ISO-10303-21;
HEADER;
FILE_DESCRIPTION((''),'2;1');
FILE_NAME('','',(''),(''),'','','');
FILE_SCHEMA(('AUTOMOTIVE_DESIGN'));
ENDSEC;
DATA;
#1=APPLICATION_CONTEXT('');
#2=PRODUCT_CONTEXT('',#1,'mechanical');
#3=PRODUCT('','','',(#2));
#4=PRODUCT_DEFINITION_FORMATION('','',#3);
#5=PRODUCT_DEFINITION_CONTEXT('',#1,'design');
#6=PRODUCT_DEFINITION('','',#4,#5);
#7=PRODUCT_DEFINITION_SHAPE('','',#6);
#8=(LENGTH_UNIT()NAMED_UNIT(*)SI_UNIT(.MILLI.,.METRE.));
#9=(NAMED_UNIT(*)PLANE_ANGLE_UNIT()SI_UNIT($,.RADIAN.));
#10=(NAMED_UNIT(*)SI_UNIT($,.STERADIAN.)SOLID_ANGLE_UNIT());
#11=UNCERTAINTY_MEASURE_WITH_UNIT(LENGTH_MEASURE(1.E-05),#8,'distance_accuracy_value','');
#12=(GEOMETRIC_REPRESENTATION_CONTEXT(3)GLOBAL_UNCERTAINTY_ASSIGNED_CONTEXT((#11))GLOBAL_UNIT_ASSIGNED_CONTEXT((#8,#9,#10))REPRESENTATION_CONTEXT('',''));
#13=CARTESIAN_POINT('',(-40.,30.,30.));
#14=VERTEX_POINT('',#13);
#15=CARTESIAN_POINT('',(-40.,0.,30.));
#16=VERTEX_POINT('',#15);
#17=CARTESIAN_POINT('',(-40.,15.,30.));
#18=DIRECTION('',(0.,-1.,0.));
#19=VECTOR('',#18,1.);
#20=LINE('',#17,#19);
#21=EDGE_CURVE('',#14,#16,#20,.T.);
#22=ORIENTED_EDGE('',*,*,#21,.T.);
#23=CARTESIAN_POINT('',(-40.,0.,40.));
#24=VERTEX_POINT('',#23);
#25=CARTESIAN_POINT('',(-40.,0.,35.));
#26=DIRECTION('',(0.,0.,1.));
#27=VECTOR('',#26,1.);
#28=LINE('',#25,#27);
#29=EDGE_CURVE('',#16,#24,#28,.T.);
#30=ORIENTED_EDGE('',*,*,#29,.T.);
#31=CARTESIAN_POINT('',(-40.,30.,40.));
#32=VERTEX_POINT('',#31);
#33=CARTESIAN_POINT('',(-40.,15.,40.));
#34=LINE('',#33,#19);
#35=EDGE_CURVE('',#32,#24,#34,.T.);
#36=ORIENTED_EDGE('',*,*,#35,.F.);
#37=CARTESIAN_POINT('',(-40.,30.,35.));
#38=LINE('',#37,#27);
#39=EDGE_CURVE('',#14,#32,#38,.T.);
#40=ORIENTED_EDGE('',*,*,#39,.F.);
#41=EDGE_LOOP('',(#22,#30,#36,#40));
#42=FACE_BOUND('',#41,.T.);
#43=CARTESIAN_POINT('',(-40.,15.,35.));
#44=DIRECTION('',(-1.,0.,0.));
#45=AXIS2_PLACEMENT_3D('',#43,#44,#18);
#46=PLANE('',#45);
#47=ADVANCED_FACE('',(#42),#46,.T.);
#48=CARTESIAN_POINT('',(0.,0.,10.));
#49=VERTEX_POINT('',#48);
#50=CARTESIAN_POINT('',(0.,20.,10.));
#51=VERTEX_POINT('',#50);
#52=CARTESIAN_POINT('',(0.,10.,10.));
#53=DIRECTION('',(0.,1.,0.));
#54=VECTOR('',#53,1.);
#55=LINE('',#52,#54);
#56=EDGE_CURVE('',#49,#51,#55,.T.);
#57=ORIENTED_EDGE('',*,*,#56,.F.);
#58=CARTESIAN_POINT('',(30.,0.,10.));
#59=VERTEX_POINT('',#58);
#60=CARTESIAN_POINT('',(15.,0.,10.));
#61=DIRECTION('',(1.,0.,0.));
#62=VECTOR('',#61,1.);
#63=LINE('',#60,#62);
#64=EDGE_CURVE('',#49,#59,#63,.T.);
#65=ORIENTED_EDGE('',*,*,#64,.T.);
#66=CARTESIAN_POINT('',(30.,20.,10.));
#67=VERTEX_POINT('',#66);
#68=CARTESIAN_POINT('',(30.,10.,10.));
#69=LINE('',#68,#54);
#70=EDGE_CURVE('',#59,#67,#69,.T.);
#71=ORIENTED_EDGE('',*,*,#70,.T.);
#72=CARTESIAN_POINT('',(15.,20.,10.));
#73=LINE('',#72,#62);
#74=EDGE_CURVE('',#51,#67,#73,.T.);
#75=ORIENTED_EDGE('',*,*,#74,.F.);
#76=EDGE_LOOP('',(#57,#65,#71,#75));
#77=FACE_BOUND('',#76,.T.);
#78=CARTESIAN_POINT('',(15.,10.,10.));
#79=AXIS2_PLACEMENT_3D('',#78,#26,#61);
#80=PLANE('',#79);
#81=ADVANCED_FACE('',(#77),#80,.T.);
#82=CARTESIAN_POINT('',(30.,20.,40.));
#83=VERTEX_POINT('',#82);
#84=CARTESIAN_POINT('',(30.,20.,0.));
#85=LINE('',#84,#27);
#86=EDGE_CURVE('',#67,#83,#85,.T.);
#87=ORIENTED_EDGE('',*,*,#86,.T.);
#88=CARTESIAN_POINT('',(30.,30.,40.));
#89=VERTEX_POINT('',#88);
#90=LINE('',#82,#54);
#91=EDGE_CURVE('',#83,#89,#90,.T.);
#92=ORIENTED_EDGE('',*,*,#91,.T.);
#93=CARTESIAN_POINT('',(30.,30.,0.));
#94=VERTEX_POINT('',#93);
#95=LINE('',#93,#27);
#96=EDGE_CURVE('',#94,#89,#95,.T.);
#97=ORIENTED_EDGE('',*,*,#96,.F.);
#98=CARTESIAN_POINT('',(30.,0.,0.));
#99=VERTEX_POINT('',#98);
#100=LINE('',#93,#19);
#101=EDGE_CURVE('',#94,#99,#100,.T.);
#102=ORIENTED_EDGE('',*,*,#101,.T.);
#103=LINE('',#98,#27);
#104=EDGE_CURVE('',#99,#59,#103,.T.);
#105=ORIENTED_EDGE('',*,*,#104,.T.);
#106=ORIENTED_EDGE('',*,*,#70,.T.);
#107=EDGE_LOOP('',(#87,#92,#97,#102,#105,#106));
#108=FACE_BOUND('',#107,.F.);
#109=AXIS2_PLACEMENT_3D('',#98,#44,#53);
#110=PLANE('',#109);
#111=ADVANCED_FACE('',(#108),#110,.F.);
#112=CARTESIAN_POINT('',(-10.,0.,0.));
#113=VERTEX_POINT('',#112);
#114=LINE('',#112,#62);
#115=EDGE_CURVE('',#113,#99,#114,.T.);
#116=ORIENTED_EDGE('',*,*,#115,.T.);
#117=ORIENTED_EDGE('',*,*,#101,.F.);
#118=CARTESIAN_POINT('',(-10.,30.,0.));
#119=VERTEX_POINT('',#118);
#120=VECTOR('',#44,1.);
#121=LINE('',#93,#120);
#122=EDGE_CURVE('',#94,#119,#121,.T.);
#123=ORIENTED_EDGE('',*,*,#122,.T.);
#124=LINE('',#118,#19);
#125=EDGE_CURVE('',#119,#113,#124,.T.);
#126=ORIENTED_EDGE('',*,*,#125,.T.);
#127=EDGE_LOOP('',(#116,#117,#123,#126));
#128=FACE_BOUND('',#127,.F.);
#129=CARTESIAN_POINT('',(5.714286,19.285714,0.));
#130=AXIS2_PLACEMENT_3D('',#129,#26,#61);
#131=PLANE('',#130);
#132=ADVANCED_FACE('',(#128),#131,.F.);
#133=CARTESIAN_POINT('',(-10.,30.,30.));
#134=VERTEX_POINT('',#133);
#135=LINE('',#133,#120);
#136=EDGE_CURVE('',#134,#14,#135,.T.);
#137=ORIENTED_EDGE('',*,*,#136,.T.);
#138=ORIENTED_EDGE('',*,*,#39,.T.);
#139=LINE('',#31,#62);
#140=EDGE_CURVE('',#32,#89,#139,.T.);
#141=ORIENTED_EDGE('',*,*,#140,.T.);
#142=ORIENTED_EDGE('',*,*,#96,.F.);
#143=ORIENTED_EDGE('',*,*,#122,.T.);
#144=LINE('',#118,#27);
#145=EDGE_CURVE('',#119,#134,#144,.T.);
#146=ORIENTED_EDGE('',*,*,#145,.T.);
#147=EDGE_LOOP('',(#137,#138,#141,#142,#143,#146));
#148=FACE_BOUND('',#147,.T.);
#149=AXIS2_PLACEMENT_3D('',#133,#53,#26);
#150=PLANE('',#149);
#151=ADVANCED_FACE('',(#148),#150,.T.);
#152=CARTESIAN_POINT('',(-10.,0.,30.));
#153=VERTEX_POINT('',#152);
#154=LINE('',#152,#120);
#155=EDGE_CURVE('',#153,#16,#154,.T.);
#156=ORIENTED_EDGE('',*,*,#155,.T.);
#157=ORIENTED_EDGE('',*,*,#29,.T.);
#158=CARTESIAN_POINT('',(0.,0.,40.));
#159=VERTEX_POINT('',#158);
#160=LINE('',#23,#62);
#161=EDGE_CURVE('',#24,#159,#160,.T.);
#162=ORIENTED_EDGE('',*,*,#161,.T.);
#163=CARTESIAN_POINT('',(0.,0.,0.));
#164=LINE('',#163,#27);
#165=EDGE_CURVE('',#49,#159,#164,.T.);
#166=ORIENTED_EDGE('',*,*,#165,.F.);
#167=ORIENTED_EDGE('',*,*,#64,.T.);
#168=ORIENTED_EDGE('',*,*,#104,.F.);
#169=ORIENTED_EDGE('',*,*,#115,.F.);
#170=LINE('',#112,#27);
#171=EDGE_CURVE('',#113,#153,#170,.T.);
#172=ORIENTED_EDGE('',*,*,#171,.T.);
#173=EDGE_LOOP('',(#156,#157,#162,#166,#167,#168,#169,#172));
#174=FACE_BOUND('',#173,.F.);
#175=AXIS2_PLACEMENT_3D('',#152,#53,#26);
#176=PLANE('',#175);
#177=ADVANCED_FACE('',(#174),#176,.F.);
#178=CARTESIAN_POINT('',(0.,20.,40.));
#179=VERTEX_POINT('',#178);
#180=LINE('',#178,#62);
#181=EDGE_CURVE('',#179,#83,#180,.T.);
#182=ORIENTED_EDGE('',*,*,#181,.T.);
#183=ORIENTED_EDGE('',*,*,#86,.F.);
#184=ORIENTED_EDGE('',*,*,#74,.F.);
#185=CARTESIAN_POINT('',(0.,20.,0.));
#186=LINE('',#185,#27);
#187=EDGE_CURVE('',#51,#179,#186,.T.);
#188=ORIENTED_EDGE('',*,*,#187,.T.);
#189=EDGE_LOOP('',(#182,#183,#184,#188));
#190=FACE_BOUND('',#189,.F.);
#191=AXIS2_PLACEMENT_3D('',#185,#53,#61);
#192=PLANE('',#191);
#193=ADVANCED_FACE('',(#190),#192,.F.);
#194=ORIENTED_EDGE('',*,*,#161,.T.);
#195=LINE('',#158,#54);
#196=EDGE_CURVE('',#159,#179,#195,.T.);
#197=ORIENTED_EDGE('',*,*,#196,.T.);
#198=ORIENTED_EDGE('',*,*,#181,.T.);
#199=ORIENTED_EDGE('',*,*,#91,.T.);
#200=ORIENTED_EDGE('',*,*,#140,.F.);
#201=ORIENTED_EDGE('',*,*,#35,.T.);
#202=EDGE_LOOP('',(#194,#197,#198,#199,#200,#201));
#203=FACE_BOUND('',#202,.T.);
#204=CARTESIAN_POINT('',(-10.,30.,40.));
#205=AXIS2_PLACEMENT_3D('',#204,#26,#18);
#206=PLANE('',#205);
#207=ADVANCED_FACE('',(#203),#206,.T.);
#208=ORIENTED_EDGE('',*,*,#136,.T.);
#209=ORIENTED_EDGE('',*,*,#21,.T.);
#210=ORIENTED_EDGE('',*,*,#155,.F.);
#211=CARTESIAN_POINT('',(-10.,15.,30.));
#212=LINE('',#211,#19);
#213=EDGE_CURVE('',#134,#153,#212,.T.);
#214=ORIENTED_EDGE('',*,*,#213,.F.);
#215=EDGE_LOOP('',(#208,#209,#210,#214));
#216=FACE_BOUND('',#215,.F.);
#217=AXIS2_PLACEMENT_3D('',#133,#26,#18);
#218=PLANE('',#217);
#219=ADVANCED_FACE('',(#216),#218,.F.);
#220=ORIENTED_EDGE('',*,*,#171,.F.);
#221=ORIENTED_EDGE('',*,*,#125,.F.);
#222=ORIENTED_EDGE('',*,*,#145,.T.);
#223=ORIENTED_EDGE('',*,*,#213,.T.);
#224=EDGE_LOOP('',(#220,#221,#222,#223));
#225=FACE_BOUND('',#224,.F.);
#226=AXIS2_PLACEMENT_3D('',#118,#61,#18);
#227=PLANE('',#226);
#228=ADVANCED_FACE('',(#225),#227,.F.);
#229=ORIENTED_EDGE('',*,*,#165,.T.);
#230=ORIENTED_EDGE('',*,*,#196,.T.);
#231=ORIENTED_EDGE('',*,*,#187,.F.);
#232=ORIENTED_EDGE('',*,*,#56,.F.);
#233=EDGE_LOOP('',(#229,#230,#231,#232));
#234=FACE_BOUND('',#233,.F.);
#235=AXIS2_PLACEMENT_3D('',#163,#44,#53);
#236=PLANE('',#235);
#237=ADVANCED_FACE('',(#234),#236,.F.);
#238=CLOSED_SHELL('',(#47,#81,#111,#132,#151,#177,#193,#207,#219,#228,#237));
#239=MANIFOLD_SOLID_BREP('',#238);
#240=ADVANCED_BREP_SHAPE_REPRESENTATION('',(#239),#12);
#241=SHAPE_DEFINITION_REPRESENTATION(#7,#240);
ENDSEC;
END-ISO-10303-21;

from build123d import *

# Parameters (mm, degrees)
F0_W     = 30
F0_H     = 20
F1_DEPTH = 10
F2_DEPTH = 40
F3_W     = 30
F3_H     = 10
F4_DEPTH = 30


with BuildPart() as f1:
    # F0 (on Top) → F1 (new body)
    with BuildSketch(Plane.XY):
        with Locations((15, 10)):
            Rectangle(F0_W, F0_H)
    extrude(amount=F1_DEPTH)

    # F0 (on Top) → F2 (join)
    with BuildSketch(Plane.XY):
        Polygon((-10, 0), (0, 0), (0, 20), (30, 20), (30, 30), (-10, 30), align=None)
    extrude(amount=F2_DEPTH)

    # F3 (on face) → F4 (join)
    with BuildSketch(Plane(origin=(-10, 0, 0), x_dir=(0, -1, 0), z_dir=(-1, 0, 0))):
        with Locations((-15, 35)):
            Rectangle(F3_W, F3_H)
    extrude(amount=F4_DEPTH)


solid = f1.part
